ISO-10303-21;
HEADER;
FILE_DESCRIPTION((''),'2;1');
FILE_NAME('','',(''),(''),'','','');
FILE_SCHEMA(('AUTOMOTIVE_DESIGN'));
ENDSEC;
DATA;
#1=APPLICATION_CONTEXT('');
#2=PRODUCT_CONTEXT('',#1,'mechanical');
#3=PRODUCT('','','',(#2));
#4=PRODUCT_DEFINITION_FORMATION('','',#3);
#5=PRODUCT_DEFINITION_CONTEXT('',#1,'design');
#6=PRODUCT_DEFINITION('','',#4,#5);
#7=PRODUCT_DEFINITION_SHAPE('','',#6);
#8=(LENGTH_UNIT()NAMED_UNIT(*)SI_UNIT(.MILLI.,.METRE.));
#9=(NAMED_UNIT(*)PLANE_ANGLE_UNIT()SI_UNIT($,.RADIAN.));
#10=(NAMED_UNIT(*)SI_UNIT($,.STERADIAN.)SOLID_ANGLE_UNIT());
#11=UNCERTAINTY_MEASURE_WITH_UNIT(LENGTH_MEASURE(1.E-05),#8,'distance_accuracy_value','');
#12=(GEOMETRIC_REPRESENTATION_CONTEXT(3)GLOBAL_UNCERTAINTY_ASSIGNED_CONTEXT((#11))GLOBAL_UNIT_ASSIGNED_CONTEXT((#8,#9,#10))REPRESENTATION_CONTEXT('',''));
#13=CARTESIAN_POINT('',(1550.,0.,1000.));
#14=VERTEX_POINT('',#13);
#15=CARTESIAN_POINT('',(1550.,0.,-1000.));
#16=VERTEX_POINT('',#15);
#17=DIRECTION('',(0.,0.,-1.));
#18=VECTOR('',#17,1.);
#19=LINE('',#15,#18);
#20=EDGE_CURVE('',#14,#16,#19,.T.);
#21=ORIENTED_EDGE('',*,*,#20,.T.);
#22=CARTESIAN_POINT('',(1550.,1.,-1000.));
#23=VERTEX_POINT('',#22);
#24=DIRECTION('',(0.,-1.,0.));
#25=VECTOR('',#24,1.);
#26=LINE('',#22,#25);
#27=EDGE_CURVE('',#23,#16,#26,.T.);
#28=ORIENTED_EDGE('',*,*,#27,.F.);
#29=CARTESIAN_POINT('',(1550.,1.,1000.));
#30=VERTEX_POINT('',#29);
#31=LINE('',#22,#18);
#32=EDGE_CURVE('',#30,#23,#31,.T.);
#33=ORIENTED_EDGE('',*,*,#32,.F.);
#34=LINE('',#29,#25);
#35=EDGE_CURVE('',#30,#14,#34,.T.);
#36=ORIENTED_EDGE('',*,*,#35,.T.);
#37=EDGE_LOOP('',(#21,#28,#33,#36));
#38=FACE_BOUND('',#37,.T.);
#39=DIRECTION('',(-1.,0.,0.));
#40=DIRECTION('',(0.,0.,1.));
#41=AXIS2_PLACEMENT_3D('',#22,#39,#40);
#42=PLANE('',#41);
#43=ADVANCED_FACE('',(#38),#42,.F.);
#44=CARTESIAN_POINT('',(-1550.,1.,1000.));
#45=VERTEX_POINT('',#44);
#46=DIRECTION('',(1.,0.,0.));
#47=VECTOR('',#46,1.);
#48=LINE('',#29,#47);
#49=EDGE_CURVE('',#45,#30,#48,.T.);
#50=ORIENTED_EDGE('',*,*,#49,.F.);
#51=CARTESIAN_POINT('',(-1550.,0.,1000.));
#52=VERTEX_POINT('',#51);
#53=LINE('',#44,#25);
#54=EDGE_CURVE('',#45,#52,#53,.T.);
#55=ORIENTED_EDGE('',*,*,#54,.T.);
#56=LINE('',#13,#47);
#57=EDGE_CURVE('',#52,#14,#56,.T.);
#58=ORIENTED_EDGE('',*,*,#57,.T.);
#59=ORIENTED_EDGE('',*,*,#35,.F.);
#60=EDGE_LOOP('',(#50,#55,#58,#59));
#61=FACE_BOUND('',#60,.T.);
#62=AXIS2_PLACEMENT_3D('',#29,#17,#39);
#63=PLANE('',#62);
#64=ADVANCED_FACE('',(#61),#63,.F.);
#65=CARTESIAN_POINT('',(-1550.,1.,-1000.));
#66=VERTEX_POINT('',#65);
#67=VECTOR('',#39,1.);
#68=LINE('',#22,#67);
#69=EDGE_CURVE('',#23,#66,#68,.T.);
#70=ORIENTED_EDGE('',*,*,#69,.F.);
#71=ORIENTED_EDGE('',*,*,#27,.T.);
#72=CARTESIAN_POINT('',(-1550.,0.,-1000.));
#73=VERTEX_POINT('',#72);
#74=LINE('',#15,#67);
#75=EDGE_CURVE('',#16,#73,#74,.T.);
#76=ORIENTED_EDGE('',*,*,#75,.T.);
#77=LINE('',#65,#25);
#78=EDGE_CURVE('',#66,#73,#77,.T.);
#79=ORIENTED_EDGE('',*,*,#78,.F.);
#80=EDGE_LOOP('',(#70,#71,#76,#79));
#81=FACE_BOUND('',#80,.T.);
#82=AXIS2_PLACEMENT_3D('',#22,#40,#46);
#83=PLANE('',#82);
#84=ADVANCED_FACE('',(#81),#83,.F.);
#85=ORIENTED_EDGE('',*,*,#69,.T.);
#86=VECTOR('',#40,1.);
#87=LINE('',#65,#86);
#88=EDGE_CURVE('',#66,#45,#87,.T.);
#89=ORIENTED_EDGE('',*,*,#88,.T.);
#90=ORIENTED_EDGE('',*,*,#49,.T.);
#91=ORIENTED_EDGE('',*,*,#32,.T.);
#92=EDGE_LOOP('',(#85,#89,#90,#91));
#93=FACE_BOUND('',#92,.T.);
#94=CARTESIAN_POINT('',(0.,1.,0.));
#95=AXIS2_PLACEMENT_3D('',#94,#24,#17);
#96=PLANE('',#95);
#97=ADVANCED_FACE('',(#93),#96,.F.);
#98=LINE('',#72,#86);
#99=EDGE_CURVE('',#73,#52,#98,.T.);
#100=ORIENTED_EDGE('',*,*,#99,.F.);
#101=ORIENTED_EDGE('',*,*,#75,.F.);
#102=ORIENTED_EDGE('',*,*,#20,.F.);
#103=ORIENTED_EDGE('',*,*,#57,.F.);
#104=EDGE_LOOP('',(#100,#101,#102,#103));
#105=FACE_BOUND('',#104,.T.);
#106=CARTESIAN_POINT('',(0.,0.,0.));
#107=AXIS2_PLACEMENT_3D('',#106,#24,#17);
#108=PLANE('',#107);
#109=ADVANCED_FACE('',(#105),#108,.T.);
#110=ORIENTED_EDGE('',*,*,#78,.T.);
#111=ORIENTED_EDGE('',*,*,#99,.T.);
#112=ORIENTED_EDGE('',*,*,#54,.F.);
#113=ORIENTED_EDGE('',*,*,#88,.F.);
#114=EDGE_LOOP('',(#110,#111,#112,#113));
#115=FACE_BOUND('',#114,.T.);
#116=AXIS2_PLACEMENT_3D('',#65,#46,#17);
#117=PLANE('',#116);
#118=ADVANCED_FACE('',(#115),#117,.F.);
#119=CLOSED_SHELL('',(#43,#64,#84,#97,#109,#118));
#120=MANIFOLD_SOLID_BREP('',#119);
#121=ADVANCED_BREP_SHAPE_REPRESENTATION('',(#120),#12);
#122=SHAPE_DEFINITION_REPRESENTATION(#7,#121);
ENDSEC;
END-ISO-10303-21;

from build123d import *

# Parameters (mm, degrees)
SKETCH_1_W      = 3100
SKETCH_1_H      = 2000
EXTRUDE_1_DEPTH = 1


with BuildPart() as part:
    # Эскиз1 → Бобышка-Вытянуть1 (new body)
    with BuildSketch(Plane(origin=(0, 0, 0), x_dir=(1, 0, 0), z_dir=(0, 1, 0))):
        Rectangle(SKETCH_1_W, SKETCH_1_H)
    extrude(amount=EXTRUDE_1_DEPTH)


solid = part.part
